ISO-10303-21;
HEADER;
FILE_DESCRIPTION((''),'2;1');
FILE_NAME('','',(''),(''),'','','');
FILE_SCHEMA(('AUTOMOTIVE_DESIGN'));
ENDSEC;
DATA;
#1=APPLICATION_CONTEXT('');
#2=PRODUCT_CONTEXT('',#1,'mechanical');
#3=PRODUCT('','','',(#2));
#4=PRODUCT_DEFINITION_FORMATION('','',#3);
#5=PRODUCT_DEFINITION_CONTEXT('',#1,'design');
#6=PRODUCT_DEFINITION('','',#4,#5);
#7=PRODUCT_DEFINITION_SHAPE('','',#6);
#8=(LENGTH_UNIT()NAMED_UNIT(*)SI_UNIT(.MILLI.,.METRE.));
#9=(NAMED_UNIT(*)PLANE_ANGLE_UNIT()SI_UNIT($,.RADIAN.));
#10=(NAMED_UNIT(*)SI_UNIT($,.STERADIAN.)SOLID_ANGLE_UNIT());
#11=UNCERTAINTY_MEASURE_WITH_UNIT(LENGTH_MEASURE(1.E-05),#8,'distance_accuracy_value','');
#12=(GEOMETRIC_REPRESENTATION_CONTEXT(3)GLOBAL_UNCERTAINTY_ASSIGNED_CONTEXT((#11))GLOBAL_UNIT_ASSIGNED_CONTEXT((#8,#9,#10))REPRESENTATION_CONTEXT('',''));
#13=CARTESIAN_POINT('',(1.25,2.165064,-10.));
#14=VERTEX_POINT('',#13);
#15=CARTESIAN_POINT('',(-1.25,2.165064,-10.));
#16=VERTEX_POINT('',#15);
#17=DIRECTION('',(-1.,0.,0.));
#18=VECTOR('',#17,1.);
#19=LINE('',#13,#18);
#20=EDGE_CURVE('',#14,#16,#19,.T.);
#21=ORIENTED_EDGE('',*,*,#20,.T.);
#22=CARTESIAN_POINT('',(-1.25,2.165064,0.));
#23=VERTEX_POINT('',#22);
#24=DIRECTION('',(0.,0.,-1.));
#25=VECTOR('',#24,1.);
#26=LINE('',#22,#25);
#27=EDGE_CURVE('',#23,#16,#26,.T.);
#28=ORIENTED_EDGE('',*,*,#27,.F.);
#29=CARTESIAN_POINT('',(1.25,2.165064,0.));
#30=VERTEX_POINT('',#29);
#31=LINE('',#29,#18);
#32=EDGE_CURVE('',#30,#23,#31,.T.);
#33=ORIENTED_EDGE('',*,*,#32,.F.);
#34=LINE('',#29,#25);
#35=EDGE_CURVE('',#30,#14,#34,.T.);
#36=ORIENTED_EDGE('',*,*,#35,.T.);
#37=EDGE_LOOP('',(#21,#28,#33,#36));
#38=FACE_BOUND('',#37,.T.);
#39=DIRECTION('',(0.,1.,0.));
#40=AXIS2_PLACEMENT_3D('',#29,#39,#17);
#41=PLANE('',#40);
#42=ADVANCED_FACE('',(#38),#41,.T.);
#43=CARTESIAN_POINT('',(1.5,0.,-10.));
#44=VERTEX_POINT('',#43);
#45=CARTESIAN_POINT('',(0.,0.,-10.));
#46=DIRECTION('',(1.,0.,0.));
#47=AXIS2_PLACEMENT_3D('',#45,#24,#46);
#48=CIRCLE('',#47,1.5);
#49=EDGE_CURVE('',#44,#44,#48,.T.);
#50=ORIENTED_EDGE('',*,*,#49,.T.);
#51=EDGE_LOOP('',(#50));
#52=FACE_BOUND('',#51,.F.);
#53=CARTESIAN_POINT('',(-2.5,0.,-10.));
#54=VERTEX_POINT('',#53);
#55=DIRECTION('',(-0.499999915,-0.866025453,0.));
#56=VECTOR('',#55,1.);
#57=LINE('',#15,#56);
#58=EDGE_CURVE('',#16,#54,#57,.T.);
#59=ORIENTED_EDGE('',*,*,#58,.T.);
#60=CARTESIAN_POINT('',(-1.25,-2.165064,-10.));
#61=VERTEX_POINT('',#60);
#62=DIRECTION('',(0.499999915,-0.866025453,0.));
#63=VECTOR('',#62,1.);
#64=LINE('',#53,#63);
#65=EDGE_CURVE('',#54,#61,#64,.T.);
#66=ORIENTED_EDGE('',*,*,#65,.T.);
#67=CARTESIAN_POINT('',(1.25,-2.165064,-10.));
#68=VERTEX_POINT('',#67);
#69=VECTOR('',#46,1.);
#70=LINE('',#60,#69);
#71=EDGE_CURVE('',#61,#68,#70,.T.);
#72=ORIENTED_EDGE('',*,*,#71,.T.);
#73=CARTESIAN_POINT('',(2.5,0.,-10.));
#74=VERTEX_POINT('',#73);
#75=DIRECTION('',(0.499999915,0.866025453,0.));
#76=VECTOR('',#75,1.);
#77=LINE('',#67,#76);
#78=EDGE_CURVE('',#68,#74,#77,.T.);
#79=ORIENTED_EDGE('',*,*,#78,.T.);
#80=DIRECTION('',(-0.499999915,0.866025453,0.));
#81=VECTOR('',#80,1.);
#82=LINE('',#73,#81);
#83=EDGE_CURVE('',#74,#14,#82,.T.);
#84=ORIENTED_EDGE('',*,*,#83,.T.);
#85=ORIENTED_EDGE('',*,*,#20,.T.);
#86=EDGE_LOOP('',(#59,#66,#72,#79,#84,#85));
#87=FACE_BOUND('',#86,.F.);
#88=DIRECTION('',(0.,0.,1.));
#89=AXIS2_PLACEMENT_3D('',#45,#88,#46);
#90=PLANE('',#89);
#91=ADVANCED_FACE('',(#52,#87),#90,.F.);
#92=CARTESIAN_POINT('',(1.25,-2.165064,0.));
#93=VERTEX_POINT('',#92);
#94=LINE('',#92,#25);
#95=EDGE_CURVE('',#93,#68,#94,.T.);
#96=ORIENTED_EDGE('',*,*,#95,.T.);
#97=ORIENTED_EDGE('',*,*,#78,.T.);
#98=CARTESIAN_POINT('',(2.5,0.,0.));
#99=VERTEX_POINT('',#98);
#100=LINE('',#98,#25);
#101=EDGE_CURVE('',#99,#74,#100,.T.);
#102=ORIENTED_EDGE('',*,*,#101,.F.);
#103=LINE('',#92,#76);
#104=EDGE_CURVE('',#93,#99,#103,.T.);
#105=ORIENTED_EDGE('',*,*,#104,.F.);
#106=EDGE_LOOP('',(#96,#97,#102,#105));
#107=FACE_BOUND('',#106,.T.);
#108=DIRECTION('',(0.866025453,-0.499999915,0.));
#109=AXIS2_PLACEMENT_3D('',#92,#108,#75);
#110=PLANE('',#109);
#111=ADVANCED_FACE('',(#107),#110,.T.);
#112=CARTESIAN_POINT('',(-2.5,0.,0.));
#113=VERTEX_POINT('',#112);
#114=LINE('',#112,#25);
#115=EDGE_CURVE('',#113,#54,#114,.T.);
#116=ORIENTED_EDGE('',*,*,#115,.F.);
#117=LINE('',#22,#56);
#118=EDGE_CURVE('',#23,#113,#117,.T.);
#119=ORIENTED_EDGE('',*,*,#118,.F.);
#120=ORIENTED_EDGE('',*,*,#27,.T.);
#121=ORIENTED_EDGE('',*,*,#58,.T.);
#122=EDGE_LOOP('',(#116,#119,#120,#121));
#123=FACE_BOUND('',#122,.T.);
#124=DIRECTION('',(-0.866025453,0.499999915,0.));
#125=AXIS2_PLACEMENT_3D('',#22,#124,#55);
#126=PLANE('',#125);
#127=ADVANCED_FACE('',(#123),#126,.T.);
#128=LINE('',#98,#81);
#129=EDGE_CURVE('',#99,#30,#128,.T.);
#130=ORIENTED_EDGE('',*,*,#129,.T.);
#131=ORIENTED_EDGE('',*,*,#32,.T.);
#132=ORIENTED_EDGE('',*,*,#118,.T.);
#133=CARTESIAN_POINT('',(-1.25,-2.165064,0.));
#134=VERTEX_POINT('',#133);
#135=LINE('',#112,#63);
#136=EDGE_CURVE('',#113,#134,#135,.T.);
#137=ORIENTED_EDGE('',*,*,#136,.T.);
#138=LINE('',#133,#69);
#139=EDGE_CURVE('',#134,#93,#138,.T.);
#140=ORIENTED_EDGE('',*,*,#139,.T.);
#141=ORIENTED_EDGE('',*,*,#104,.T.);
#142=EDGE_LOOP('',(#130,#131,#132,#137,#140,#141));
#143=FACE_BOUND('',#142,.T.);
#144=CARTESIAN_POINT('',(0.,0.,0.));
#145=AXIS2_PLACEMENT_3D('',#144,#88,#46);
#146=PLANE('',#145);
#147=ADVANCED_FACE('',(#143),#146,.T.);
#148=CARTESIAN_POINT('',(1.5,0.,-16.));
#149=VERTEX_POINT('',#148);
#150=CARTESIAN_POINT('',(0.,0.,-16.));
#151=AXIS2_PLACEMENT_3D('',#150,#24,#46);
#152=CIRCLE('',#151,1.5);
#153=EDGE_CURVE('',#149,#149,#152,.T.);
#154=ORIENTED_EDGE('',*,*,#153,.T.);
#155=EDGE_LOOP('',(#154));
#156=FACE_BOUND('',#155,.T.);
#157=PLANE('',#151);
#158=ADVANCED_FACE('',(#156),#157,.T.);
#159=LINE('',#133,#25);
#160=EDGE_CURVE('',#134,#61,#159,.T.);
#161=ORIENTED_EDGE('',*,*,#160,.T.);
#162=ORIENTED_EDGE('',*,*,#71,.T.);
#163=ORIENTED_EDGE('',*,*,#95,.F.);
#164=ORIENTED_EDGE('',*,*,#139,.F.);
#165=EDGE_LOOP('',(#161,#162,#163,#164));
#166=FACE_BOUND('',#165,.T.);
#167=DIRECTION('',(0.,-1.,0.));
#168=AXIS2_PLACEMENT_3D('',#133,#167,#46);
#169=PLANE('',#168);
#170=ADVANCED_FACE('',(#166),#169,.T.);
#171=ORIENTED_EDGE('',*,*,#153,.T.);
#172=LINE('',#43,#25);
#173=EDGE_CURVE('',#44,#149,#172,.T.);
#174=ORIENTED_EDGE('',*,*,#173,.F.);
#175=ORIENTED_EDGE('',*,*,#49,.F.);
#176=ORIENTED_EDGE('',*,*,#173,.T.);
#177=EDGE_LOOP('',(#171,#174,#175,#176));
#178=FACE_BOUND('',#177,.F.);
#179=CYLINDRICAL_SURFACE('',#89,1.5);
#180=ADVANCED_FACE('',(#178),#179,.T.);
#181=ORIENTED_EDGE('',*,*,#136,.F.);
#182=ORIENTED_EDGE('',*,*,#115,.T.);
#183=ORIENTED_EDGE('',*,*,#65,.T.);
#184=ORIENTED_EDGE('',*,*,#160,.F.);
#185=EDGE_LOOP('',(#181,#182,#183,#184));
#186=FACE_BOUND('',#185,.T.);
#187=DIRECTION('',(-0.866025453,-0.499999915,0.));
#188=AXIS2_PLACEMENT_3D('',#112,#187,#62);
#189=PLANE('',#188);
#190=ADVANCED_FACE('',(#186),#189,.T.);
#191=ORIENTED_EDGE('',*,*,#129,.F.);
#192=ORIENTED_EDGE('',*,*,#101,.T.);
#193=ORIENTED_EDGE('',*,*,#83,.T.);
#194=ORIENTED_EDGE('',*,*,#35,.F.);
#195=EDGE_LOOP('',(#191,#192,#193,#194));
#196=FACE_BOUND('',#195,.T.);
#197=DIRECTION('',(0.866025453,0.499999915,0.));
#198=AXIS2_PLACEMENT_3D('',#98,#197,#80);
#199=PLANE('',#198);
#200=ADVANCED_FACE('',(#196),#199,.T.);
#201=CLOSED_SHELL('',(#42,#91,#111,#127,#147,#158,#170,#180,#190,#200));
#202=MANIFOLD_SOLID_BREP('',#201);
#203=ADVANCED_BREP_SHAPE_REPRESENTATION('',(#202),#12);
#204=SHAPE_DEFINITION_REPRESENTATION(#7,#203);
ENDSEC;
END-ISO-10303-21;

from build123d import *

# Parameters (mm, degrees)
PAD_DEPTH    = 10
SKETCH001_R  = 1.5
PAD001_DEPTH = 6


with BuildPart() as part:
    # Sketch → Pad (new body)
    with BuildSketch(Plane.XY):
        Polygon((2.5, 0), (1.25, 2.165064), (-1.25, 2.165064), (-2.5, 0), (-1.25, -2.165064), (1.25, -2.165064), align=None)
    extrude(amount=-PAD_DEPTH)

    # Sketch001 (on Face8 of Pad) → Pad001 (join)
    with BuildSketch(Plane(origin=(0, 0, -10), x_dir=(1, 0, 0), z_dir=(0, 0, -1))):
        Circle(SKETCH001_R)
    extrude(amount=PAD001_DEPTH)


solid = part.part
